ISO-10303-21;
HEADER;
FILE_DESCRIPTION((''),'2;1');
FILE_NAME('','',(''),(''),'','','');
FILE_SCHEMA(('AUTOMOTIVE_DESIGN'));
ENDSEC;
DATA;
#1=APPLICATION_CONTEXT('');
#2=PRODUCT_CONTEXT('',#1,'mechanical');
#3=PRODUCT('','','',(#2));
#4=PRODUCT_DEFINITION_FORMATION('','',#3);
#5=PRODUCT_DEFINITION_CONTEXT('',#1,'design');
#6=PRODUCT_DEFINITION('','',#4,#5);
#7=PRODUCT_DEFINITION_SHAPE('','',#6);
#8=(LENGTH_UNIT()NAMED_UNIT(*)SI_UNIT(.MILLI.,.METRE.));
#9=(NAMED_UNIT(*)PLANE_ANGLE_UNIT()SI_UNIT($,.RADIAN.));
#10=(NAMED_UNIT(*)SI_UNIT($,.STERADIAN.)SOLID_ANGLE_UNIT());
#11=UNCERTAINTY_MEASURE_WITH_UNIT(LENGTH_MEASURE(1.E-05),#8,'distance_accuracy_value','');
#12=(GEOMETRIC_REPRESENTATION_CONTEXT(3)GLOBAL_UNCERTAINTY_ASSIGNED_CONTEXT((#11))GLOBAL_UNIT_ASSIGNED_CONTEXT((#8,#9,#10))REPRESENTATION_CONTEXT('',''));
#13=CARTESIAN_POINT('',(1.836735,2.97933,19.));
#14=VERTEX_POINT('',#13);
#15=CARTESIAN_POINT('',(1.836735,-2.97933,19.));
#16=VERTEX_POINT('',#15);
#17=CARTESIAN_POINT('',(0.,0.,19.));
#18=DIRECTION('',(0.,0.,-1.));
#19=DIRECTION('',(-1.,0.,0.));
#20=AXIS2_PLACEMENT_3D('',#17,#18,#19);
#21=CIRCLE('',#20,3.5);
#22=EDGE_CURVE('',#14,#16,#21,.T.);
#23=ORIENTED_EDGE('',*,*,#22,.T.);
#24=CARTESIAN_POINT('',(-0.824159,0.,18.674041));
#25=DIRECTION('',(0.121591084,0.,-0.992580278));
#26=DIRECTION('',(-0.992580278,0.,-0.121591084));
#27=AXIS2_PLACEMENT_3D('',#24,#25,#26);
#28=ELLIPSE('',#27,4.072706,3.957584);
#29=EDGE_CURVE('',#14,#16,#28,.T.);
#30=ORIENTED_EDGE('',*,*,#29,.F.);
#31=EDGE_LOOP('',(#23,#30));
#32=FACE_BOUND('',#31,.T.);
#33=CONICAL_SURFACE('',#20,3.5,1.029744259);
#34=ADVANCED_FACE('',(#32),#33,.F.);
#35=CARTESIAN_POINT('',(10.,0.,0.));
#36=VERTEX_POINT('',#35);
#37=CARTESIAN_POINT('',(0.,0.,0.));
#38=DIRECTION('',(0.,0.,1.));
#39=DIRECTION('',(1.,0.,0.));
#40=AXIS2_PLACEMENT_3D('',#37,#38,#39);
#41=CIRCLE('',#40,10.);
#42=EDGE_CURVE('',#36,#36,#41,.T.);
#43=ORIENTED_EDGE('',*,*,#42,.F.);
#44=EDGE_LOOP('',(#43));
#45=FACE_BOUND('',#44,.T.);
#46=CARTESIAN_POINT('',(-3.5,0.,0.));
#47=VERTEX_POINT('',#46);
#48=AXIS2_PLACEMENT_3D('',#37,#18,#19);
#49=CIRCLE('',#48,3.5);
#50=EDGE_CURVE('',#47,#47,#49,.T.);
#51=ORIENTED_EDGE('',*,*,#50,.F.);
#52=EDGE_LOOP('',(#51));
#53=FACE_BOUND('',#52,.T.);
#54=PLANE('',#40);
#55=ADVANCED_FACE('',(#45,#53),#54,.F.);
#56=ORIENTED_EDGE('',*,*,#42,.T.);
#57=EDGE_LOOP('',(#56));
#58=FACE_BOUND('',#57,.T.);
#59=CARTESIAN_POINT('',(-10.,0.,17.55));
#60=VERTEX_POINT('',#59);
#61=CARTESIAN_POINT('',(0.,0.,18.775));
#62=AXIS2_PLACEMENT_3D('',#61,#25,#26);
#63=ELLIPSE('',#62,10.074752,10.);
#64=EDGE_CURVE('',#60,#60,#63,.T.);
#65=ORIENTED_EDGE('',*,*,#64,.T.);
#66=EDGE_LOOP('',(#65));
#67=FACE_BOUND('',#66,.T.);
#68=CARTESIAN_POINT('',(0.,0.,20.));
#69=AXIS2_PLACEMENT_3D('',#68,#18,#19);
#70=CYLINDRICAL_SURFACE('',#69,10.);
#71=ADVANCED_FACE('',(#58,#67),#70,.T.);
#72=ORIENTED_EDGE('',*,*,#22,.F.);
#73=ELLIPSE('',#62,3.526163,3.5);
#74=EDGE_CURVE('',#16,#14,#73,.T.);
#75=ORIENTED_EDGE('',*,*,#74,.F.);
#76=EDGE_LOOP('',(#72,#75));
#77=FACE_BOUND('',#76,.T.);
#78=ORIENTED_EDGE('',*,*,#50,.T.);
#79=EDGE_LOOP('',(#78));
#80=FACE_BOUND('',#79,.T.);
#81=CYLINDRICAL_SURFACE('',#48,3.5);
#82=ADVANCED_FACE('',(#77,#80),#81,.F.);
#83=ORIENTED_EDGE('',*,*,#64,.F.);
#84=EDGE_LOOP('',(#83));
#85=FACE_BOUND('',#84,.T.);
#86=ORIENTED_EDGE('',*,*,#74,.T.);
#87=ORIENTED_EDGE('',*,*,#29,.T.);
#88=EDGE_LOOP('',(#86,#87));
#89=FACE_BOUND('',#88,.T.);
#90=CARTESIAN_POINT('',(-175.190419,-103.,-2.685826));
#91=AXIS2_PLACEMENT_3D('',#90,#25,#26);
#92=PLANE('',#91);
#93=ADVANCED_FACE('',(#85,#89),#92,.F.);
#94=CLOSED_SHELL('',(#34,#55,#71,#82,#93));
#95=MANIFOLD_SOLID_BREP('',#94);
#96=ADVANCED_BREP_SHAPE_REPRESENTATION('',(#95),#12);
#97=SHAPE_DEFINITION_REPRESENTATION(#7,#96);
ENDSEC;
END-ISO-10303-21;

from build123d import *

# Parameters (mm, degrees)
SKETCH1_R                 = 10
BOSS_EXTRUDE1_DEPTH       = 20
CUT_EXTRUDE1_DEPTH        = 103
M8X1_0_TAPPED_HOLE1_D     = 7
M8X1_0_TAPPED_HOLE1_DEPTH = 19
M8X1_0_TAPPED_HOLE1_TIP   = 2.103012167


with BuildPart() as part:
    # Sketch1 → Boss-Extrude1 (new body)
    with BuildSketch(Plane.XY):
        Circle(SKETCH1_R)
    extrude(amount=BOSS_EXTRUDE1_DEPTH)

    # Sketch2 → Cut-Extrude1 (cut, symmetric)
    with BuildSketch(Plane(origin=(0, 0, 0), x_dir=(1, 0, 0), z_dir=(0, 1, 0))):
        Polygon((-175.190419067, 2.685826336), (24.809580933, -21.814173664), (24.809580933, -148.814173664), (-175.190419067, -173.314173664), align=None)
    extrude(amount=CUT_EXTRUDE1_DEPTH, both=True, mode=Mode.SUBTRACT)

    # M8x1.0 Tapped Hole1
    with Locations(Plane(origin=(0, 0, 0), x_dir=(-1, 0, 0), z_dir=(0, 0, -1))):
        with Locations((0, 0)):
            Hole(M8X1_0_TAPPED_HOLE1_D / 2, depth=M8X1_0_TAPPED_HOLE1_DEPTH)
            with Locations((0, 0, -(M8X1_0_TAPPED_HOLE1_DEPTH + M8X1_0_TAPPED_HOLE1_TIP / 2))):  # 118° drill point
                Cone(0, M8X1_0_TAPPED_HOLE1_D / 2, M8X1_0_TAPPED_HOLE1_TIP, mode=Mode.SUBTRACT)


solid = part.part
